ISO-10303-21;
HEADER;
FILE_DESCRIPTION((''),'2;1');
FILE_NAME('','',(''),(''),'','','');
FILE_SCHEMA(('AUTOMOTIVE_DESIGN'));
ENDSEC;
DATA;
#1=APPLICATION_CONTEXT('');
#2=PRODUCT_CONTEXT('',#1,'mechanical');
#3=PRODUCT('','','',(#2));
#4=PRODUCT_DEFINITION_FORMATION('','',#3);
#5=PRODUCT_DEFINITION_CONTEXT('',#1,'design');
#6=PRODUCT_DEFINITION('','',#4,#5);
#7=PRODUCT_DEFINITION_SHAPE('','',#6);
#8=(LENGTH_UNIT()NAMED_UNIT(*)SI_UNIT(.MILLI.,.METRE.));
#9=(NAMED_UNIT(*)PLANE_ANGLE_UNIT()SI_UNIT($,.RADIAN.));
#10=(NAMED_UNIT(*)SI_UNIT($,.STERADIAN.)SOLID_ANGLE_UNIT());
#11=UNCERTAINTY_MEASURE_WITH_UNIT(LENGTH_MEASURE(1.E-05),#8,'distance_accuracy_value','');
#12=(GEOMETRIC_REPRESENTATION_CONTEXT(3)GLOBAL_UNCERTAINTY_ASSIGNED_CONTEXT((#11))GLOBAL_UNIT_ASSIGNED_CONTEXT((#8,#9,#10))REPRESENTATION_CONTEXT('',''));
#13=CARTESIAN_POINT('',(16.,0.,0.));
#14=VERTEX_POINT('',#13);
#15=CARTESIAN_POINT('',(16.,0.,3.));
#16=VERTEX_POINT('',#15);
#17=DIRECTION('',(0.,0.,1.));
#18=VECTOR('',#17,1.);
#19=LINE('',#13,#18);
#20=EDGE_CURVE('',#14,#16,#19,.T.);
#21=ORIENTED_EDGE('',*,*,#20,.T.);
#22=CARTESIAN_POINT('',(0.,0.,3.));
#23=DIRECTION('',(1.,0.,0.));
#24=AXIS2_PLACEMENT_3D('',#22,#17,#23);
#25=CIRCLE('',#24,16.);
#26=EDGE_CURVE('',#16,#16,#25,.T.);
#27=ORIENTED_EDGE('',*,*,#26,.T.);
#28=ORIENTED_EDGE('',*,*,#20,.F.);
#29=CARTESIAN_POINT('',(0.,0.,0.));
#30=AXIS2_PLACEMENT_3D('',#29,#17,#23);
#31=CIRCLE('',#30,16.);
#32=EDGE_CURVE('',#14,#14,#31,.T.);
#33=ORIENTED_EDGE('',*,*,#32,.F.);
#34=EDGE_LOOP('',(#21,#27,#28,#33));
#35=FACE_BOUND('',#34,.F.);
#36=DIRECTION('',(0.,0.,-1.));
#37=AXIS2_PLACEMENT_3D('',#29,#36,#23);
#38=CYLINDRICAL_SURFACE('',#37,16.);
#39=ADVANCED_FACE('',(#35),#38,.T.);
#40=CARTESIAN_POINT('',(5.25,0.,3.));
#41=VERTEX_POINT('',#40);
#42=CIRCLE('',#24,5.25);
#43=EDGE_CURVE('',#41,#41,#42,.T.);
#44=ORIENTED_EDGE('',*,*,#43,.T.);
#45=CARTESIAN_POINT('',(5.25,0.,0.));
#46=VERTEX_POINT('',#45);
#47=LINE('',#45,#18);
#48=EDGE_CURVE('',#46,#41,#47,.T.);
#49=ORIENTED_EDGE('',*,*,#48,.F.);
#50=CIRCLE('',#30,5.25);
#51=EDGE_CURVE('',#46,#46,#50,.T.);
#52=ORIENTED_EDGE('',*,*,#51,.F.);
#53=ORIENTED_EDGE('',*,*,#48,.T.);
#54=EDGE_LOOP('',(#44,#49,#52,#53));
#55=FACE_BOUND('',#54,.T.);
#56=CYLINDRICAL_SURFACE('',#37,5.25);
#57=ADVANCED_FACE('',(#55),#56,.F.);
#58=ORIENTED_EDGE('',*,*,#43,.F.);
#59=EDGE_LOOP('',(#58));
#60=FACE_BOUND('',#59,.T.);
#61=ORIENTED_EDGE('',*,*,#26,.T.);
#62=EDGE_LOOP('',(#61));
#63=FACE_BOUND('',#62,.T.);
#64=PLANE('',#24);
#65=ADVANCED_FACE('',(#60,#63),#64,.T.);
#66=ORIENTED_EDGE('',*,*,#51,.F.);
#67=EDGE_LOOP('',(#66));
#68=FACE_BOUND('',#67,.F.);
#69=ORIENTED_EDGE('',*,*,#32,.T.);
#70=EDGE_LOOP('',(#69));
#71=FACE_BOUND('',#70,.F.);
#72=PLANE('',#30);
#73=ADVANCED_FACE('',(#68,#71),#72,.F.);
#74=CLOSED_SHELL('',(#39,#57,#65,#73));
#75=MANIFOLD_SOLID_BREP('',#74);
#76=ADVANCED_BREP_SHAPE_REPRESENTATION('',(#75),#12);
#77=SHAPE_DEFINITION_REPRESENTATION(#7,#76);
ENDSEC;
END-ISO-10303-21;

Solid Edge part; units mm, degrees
sketch "Sketch1" plane through (0, 0, 0) normal (0, 0, 1) x (1, 0, 0)
  circle A0 centre (0, 0) radius 16
  circle A1 centre (0, 0) radius 5.25
extrude "Protrusion1" add sketch "Sketch1" along normal blind 3
properties part number "6" material "Fe 410 W"
